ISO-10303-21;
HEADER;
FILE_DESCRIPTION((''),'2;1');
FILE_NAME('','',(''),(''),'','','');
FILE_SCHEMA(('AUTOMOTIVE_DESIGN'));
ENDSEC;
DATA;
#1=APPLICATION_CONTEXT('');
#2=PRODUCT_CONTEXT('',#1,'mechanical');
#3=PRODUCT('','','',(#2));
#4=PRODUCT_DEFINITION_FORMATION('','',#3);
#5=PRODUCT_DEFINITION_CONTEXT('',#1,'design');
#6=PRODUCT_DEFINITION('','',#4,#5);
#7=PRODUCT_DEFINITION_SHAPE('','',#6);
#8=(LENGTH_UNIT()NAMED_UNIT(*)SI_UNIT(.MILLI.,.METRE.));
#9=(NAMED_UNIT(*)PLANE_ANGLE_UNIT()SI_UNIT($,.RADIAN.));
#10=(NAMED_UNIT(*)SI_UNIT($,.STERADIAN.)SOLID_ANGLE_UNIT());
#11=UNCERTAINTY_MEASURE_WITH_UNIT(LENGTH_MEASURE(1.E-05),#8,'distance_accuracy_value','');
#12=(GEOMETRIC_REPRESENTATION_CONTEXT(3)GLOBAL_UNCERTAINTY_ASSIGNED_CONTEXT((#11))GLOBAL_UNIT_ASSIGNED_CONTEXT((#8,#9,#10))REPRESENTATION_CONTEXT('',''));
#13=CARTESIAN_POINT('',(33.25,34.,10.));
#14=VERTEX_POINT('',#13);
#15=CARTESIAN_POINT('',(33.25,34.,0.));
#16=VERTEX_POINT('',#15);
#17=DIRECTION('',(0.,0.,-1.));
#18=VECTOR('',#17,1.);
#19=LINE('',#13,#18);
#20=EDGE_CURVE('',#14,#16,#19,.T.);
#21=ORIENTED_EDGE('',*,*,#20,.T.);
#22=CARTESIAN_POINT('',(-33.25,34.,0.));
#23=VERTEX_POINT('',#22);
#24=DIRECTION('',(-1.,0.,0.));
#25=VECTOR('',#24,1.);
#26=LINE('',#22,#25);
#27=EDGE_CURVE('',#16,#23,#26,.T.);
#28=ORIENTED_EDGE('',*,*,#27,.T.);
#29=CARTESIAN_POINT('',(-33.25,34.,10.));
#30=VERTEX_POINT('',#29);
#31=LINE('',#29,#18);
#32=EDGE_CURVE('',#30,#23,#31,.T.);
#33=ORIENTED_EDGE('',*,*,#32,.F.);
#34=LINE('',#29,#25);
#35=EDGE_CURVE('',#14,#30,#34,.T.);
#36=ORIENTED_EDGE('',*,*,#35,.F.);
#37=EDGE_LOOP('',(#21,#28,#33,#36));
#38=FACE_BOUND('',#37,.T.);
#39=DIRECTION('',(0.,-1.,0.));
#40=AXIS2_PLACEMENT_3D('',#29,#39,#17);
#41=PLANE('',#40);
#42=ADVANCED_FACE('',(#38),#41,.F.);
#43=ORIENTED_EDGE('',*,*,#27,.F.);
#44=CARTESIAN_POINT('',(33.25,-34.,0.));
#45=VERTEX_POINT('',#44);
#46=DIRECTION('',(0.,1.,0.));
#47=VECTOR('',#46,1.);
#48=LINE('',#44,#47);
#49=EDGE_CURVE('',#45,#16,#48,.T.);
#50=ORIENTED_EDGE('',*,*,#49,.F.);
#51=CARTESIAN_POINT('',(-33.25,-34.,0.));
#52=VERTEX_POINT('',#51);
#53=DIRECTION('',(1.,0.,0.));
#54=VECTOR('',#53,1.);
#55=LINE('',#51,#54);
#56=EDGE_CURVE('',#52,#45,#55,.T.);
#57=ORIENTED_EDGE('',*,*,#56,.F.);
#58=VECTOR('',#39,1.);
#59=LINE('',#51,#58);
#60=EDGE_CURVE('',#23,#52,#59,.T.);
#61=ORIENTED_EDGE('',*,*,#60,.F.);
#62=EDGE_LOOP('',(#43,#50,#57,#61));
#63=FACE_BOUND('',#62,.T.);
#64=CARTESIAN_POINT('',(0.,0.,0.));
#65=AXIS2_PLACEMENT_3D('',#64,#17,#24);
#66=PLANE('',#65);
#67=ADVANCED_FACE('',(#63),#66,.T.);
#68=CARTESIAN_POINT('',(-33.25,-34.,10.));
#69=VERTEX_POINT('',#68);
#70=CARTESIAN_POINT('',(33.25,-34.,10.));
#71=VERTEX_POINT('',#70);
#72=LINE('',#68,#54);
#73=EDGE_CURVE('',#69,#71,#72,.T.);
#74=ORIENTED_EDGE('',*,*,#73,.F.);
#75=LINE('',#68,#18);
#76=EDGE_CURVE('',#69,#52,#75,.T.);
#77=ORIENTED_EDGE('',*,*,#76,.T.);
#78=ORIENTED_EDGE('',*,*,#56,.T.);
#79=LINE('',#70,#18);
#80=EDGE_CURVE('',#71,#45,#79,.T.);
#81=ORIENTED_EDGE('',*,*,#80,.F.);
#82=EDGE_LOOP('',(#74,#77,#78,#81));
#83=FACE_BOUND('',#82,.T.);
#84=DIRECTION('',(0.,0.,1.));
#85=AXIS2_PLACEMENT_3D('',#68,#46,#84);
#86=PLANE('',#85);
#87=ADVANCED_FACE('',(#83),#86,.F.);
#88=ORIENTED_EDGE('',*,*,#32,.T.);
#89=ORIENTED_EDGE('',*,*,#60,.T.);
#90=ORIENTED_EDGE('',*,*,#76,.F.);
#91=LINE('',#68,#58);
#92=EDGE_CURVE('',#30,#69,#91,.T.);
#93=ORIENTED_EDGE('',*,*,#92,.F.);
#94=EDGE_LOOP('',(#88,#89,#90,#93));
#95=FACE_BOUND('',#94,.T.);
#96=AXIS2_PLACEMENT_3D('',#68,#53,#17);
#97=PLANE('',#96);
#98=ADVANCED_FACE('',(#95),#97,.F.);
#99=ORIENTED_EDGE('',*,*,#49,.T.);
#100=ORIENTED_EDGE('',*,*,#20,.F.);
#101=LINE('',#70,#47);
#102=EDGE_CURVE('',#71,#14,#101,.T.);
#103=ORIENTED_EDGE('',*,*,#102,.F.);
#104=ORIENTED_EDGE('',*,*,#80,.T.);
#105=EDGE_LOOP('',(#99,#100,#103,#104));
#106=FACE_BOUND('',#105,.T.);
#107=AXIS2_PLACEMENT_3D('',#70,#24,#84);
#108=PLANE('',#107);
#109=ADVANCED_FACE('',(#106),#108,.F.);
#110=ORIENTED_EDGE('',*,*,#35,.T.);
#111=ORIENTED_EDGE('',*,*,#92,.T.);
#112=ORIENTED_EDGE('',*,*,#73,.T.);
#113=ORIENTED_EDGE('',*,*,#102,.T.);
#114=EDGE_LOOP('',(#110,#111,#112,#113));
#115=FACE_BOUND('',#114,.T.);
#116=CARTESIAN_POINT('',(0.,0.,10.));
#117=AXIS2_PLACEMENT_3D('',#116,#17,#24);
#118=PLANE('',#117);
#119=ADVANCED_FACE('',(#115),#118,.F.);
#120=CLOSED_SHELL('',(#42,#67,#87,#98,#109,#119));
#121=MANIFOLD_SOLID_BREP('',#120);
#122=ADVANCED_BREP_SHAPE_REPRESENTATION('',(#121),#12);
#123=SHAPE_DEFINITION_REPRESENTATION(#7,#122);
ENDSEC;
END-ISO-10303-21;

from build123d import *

# Parameters (mm, degrees)
ESBO_O1_W                = 66.5
ESBO_O1_H                = 68
RESSALTO_EXTRUS_O1_DEPTH = 10


with BuildPart() as part:
    # Esboço1 → Ressalto-extrusão1 (new body)
    with BuildSketch(Plane.XY):
        Rectangle(ESBO_O1_W, ESBO_O1_H)
    extrude(amount=RESSALTO_EXTRUS_O1_DEPTH)


solid = part.part
